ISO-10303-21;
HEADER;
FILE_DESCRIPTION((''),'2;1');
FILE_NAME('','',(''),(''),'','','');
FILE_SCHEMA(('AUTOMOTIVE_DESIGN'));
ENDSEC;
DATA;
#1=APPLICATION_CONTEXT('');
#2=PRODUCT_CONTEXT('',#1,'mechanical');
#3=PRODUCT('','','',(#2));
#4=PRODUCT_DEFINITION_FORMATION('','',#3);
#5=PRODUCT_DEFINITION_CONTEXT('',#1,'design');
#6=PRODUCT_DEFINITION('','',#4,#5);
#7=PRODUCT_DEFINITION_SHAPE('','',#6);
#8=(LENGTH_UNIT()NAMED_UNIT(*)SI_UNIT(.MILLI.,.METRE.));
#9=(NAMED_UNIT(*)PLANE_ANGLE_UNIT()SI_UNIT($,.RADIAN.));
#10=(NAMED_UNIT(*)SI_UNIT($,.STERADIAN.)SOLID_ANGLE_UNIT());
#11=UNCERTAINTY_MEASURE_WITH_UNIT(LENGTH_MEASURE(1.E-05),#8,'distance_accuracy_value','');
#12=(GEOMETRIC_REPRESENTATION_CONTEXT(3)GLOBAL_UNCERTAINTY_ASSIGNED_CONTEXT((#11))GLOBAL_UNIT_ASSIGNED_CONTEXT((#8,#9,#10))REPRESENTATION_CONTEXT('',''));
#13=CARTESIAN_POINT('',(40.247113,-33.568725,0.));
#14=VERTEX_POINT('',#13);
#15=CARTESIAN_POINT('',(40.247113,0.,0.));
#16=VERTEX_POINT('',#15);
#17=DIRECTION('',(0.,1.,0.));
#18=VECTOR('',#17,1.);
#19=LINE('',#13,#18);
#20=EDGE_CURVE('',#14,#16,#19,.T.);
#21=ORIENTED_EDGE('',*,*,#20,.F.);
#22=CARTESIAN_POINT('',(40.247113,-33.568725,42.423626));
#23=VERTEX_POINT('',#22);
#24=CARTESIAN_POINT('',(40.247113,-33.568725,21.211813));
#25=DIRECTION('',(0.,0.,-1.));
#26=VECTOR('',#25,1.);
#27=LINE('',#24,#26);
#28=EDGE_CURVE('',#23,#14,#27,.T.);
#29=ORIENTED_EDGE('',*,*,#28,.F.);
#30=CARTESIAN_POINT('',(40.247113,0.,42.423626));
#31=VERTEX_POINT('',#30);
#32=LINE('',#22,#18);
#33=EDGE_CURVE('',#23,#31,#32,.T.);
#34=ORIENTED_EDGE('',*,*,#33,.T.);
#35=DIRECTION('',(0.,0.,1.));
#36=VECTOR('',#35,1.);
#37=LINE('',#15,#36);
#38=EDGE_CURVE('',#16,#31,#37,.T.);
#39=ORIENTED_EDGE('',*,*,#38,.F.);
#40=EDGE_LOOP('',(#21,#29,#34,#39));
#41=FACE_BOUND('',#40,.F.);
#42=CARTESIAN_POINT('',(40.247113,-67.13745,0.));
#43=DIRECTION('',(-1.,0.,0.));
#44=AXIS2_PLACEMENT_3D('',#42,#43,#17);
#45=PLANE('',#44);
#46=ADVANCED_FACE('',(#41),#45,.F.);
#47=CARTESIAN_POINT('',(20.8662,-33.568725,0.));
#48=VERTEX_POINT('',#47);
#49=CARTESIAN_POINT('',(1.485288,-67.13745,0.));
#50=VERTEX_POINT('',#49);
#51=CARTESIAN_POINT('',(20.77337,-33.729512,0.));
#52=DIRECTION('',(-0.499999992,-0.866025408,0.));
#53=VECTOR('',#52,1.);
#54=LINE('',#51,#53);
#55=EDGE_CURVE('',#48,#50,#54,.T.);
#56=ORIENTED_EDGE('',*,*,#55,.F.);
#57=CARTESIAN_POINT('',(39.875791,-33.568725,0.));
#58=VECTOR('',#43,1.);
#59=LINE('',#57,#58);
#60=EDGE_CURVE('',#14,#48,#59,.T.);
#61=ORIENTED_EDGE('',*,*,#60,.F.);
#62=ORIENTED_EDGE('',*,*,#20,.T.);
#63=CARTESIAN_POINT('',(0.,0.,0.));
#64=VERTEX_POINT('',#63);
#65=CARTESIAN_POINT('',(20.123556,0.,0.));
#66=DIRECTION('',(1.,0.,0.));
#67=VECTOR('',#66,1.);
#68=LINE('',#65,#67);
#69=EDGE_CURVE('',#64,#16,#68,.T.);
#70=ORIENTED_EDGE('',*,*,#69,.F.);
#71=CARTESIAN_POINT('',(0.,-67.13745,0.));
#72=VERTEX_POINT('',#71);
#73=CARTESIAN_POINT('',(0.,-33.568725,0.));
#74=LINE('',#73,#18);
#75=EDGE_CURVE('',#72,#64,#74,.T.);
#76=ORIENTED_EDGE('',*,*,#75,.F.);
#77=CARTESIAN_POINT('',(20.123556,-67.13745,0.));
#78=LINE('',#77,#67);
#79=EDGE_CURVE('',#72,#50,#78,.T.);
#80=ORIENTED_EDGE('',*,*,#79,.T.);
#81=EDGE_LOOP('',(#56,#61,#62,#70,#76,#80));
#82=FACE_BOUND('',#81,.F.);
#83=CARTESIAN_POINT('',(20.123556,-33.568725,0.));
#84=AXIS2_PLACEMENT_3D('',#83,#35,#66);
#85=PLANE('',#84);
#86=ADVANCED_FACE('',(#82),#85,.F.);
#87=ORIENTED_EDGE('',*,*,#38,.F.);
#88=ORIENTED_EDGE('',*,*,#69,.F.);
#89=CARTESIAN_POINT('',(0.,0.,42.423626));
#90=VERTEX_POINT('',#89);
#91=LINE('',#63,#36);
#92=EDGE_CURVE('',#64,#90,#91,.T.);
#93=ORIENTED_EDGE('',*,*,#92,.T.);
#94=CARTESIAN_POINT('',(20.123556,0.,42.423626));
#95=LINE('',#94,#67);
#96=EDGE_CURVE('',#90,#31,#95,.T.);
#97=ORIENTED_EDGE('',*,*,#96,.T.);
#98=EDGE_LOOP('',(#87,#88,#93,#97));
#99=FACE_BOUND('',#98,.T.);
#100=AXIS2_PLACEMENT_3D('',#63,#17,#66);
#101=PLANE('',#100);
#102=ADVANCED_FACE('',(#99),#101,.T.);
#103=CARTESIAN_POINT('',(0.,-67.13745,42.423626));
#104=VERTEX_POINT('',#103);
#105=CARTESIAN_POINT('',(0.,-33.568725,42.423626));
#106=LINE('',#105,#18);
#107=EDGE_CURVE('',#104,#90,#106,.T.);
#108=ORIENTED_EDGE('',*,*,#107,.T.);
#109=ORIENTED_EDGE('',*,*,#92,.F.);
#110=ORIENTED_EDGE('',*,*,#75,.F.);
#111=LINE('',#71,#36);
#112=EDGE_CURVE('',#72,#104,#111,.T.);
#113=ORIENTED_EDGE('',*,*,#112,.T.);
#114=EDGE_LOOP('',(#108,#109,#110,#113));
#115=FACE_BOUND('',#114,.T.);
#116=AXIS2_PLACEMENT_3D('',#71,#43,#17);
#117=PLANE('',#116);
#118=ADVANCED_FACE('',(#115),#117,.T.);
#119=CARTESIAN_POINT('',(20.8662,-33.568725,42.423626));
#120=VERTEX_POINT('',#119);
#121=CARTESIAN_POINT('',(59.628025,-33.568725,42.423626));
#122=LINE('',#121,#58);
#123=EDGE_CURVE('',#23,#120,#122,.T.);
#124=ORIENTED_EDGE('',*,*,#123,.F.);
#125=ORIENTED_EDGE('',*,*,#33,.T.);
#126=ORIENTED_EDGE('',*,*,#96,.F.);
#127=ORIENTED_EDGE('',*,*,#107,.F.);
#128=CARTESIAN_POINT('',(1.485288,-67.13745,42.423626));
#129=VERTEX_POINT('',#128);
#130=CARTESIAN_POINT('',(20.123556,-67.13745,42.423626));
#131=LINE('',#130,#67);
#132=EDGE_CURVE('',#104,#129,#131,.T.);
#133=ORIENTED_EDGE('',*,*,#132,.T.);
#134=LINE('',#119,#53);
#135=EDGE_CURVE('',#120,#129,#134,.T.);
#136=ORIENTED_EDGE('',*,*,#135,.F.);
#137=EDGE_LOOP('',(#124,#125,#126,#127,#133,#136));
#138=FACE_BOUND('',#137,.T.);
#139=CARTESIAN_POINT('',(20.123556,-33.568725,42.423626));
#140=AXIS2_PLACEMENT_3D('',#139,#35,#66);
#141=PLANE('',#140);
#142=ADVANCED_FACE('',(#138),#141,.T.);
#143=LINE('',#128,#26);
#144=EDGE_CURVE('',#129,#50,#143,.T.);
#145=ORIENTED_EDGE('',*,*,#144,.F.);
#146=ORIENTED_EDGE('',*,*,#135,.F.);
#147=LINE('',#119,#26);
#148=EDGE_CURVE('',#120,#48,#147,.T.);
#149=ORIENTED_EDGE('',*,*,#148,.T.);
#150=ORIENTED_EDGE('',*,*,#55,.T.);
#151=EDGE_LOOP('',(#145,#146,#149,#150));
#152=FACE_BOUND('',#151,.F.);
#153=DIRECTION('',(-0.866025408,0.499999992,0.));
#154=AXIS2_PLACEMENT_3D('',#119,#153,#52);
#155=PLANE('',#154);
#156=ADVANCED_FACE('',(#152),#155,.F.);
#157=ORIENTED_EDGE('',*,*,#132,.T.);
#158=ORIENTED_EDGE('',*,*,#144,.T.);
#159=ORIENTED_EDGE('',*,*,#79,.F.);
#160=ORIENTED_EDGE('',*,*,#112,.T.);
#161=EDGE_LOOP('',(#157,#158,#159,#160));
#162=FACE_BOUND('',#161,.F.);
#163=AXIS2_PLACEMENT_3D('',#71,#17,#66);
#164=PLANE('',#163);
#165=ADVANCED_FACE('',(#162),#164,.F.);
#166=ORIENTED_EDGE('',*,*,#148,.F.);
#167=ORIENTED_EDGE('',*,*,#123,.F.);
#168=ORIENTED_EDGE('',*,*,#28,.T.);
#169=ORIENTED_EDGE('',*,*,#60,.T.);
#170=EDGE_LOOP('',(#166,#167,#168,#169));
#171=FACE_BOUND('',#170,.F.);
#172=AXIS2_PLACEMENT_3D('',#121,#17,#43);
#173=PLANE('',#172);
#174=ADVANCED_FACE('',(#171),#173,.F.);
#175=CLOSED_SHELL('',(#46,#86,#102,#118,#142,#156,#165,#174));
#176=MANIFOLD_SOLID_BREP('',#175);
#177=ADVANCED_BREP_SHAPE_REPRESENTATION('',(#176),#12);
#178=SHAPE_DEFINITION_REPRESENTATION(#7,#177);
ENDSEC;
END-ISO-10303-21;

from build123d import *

# Parameters (mm, degrees)
F0_W     = 40.247113
F0_H     = 67.13745
F1_DEPTH = 42.423626
F3_DEPTH = 68.109216


with BuildPart() as f1:
    # F0 (on Top) → F1 (new body)
    with BuildSketch(Plane.XY):
        with Locations((20.123556, -33.568725)):
            Rectangle(F0_W, F0_H)
    extrude(amount=F1_DEPTH)

    # F2 (on face) → F3 (cut)
    with BuildSketch(Plane.XY.offset(42.423626)):
        Polygon((59.628025, -33.568725), (20.8662, -33.568725), (1.485288, -67.13745), (20.8662, -100.706175), (59.628025, -100.706175), (79.008937, -67.13745), align=None)
    extrude(amount=-F3_DEPTH, mode=Mode.SUBTRACT)


solid = f1.part
